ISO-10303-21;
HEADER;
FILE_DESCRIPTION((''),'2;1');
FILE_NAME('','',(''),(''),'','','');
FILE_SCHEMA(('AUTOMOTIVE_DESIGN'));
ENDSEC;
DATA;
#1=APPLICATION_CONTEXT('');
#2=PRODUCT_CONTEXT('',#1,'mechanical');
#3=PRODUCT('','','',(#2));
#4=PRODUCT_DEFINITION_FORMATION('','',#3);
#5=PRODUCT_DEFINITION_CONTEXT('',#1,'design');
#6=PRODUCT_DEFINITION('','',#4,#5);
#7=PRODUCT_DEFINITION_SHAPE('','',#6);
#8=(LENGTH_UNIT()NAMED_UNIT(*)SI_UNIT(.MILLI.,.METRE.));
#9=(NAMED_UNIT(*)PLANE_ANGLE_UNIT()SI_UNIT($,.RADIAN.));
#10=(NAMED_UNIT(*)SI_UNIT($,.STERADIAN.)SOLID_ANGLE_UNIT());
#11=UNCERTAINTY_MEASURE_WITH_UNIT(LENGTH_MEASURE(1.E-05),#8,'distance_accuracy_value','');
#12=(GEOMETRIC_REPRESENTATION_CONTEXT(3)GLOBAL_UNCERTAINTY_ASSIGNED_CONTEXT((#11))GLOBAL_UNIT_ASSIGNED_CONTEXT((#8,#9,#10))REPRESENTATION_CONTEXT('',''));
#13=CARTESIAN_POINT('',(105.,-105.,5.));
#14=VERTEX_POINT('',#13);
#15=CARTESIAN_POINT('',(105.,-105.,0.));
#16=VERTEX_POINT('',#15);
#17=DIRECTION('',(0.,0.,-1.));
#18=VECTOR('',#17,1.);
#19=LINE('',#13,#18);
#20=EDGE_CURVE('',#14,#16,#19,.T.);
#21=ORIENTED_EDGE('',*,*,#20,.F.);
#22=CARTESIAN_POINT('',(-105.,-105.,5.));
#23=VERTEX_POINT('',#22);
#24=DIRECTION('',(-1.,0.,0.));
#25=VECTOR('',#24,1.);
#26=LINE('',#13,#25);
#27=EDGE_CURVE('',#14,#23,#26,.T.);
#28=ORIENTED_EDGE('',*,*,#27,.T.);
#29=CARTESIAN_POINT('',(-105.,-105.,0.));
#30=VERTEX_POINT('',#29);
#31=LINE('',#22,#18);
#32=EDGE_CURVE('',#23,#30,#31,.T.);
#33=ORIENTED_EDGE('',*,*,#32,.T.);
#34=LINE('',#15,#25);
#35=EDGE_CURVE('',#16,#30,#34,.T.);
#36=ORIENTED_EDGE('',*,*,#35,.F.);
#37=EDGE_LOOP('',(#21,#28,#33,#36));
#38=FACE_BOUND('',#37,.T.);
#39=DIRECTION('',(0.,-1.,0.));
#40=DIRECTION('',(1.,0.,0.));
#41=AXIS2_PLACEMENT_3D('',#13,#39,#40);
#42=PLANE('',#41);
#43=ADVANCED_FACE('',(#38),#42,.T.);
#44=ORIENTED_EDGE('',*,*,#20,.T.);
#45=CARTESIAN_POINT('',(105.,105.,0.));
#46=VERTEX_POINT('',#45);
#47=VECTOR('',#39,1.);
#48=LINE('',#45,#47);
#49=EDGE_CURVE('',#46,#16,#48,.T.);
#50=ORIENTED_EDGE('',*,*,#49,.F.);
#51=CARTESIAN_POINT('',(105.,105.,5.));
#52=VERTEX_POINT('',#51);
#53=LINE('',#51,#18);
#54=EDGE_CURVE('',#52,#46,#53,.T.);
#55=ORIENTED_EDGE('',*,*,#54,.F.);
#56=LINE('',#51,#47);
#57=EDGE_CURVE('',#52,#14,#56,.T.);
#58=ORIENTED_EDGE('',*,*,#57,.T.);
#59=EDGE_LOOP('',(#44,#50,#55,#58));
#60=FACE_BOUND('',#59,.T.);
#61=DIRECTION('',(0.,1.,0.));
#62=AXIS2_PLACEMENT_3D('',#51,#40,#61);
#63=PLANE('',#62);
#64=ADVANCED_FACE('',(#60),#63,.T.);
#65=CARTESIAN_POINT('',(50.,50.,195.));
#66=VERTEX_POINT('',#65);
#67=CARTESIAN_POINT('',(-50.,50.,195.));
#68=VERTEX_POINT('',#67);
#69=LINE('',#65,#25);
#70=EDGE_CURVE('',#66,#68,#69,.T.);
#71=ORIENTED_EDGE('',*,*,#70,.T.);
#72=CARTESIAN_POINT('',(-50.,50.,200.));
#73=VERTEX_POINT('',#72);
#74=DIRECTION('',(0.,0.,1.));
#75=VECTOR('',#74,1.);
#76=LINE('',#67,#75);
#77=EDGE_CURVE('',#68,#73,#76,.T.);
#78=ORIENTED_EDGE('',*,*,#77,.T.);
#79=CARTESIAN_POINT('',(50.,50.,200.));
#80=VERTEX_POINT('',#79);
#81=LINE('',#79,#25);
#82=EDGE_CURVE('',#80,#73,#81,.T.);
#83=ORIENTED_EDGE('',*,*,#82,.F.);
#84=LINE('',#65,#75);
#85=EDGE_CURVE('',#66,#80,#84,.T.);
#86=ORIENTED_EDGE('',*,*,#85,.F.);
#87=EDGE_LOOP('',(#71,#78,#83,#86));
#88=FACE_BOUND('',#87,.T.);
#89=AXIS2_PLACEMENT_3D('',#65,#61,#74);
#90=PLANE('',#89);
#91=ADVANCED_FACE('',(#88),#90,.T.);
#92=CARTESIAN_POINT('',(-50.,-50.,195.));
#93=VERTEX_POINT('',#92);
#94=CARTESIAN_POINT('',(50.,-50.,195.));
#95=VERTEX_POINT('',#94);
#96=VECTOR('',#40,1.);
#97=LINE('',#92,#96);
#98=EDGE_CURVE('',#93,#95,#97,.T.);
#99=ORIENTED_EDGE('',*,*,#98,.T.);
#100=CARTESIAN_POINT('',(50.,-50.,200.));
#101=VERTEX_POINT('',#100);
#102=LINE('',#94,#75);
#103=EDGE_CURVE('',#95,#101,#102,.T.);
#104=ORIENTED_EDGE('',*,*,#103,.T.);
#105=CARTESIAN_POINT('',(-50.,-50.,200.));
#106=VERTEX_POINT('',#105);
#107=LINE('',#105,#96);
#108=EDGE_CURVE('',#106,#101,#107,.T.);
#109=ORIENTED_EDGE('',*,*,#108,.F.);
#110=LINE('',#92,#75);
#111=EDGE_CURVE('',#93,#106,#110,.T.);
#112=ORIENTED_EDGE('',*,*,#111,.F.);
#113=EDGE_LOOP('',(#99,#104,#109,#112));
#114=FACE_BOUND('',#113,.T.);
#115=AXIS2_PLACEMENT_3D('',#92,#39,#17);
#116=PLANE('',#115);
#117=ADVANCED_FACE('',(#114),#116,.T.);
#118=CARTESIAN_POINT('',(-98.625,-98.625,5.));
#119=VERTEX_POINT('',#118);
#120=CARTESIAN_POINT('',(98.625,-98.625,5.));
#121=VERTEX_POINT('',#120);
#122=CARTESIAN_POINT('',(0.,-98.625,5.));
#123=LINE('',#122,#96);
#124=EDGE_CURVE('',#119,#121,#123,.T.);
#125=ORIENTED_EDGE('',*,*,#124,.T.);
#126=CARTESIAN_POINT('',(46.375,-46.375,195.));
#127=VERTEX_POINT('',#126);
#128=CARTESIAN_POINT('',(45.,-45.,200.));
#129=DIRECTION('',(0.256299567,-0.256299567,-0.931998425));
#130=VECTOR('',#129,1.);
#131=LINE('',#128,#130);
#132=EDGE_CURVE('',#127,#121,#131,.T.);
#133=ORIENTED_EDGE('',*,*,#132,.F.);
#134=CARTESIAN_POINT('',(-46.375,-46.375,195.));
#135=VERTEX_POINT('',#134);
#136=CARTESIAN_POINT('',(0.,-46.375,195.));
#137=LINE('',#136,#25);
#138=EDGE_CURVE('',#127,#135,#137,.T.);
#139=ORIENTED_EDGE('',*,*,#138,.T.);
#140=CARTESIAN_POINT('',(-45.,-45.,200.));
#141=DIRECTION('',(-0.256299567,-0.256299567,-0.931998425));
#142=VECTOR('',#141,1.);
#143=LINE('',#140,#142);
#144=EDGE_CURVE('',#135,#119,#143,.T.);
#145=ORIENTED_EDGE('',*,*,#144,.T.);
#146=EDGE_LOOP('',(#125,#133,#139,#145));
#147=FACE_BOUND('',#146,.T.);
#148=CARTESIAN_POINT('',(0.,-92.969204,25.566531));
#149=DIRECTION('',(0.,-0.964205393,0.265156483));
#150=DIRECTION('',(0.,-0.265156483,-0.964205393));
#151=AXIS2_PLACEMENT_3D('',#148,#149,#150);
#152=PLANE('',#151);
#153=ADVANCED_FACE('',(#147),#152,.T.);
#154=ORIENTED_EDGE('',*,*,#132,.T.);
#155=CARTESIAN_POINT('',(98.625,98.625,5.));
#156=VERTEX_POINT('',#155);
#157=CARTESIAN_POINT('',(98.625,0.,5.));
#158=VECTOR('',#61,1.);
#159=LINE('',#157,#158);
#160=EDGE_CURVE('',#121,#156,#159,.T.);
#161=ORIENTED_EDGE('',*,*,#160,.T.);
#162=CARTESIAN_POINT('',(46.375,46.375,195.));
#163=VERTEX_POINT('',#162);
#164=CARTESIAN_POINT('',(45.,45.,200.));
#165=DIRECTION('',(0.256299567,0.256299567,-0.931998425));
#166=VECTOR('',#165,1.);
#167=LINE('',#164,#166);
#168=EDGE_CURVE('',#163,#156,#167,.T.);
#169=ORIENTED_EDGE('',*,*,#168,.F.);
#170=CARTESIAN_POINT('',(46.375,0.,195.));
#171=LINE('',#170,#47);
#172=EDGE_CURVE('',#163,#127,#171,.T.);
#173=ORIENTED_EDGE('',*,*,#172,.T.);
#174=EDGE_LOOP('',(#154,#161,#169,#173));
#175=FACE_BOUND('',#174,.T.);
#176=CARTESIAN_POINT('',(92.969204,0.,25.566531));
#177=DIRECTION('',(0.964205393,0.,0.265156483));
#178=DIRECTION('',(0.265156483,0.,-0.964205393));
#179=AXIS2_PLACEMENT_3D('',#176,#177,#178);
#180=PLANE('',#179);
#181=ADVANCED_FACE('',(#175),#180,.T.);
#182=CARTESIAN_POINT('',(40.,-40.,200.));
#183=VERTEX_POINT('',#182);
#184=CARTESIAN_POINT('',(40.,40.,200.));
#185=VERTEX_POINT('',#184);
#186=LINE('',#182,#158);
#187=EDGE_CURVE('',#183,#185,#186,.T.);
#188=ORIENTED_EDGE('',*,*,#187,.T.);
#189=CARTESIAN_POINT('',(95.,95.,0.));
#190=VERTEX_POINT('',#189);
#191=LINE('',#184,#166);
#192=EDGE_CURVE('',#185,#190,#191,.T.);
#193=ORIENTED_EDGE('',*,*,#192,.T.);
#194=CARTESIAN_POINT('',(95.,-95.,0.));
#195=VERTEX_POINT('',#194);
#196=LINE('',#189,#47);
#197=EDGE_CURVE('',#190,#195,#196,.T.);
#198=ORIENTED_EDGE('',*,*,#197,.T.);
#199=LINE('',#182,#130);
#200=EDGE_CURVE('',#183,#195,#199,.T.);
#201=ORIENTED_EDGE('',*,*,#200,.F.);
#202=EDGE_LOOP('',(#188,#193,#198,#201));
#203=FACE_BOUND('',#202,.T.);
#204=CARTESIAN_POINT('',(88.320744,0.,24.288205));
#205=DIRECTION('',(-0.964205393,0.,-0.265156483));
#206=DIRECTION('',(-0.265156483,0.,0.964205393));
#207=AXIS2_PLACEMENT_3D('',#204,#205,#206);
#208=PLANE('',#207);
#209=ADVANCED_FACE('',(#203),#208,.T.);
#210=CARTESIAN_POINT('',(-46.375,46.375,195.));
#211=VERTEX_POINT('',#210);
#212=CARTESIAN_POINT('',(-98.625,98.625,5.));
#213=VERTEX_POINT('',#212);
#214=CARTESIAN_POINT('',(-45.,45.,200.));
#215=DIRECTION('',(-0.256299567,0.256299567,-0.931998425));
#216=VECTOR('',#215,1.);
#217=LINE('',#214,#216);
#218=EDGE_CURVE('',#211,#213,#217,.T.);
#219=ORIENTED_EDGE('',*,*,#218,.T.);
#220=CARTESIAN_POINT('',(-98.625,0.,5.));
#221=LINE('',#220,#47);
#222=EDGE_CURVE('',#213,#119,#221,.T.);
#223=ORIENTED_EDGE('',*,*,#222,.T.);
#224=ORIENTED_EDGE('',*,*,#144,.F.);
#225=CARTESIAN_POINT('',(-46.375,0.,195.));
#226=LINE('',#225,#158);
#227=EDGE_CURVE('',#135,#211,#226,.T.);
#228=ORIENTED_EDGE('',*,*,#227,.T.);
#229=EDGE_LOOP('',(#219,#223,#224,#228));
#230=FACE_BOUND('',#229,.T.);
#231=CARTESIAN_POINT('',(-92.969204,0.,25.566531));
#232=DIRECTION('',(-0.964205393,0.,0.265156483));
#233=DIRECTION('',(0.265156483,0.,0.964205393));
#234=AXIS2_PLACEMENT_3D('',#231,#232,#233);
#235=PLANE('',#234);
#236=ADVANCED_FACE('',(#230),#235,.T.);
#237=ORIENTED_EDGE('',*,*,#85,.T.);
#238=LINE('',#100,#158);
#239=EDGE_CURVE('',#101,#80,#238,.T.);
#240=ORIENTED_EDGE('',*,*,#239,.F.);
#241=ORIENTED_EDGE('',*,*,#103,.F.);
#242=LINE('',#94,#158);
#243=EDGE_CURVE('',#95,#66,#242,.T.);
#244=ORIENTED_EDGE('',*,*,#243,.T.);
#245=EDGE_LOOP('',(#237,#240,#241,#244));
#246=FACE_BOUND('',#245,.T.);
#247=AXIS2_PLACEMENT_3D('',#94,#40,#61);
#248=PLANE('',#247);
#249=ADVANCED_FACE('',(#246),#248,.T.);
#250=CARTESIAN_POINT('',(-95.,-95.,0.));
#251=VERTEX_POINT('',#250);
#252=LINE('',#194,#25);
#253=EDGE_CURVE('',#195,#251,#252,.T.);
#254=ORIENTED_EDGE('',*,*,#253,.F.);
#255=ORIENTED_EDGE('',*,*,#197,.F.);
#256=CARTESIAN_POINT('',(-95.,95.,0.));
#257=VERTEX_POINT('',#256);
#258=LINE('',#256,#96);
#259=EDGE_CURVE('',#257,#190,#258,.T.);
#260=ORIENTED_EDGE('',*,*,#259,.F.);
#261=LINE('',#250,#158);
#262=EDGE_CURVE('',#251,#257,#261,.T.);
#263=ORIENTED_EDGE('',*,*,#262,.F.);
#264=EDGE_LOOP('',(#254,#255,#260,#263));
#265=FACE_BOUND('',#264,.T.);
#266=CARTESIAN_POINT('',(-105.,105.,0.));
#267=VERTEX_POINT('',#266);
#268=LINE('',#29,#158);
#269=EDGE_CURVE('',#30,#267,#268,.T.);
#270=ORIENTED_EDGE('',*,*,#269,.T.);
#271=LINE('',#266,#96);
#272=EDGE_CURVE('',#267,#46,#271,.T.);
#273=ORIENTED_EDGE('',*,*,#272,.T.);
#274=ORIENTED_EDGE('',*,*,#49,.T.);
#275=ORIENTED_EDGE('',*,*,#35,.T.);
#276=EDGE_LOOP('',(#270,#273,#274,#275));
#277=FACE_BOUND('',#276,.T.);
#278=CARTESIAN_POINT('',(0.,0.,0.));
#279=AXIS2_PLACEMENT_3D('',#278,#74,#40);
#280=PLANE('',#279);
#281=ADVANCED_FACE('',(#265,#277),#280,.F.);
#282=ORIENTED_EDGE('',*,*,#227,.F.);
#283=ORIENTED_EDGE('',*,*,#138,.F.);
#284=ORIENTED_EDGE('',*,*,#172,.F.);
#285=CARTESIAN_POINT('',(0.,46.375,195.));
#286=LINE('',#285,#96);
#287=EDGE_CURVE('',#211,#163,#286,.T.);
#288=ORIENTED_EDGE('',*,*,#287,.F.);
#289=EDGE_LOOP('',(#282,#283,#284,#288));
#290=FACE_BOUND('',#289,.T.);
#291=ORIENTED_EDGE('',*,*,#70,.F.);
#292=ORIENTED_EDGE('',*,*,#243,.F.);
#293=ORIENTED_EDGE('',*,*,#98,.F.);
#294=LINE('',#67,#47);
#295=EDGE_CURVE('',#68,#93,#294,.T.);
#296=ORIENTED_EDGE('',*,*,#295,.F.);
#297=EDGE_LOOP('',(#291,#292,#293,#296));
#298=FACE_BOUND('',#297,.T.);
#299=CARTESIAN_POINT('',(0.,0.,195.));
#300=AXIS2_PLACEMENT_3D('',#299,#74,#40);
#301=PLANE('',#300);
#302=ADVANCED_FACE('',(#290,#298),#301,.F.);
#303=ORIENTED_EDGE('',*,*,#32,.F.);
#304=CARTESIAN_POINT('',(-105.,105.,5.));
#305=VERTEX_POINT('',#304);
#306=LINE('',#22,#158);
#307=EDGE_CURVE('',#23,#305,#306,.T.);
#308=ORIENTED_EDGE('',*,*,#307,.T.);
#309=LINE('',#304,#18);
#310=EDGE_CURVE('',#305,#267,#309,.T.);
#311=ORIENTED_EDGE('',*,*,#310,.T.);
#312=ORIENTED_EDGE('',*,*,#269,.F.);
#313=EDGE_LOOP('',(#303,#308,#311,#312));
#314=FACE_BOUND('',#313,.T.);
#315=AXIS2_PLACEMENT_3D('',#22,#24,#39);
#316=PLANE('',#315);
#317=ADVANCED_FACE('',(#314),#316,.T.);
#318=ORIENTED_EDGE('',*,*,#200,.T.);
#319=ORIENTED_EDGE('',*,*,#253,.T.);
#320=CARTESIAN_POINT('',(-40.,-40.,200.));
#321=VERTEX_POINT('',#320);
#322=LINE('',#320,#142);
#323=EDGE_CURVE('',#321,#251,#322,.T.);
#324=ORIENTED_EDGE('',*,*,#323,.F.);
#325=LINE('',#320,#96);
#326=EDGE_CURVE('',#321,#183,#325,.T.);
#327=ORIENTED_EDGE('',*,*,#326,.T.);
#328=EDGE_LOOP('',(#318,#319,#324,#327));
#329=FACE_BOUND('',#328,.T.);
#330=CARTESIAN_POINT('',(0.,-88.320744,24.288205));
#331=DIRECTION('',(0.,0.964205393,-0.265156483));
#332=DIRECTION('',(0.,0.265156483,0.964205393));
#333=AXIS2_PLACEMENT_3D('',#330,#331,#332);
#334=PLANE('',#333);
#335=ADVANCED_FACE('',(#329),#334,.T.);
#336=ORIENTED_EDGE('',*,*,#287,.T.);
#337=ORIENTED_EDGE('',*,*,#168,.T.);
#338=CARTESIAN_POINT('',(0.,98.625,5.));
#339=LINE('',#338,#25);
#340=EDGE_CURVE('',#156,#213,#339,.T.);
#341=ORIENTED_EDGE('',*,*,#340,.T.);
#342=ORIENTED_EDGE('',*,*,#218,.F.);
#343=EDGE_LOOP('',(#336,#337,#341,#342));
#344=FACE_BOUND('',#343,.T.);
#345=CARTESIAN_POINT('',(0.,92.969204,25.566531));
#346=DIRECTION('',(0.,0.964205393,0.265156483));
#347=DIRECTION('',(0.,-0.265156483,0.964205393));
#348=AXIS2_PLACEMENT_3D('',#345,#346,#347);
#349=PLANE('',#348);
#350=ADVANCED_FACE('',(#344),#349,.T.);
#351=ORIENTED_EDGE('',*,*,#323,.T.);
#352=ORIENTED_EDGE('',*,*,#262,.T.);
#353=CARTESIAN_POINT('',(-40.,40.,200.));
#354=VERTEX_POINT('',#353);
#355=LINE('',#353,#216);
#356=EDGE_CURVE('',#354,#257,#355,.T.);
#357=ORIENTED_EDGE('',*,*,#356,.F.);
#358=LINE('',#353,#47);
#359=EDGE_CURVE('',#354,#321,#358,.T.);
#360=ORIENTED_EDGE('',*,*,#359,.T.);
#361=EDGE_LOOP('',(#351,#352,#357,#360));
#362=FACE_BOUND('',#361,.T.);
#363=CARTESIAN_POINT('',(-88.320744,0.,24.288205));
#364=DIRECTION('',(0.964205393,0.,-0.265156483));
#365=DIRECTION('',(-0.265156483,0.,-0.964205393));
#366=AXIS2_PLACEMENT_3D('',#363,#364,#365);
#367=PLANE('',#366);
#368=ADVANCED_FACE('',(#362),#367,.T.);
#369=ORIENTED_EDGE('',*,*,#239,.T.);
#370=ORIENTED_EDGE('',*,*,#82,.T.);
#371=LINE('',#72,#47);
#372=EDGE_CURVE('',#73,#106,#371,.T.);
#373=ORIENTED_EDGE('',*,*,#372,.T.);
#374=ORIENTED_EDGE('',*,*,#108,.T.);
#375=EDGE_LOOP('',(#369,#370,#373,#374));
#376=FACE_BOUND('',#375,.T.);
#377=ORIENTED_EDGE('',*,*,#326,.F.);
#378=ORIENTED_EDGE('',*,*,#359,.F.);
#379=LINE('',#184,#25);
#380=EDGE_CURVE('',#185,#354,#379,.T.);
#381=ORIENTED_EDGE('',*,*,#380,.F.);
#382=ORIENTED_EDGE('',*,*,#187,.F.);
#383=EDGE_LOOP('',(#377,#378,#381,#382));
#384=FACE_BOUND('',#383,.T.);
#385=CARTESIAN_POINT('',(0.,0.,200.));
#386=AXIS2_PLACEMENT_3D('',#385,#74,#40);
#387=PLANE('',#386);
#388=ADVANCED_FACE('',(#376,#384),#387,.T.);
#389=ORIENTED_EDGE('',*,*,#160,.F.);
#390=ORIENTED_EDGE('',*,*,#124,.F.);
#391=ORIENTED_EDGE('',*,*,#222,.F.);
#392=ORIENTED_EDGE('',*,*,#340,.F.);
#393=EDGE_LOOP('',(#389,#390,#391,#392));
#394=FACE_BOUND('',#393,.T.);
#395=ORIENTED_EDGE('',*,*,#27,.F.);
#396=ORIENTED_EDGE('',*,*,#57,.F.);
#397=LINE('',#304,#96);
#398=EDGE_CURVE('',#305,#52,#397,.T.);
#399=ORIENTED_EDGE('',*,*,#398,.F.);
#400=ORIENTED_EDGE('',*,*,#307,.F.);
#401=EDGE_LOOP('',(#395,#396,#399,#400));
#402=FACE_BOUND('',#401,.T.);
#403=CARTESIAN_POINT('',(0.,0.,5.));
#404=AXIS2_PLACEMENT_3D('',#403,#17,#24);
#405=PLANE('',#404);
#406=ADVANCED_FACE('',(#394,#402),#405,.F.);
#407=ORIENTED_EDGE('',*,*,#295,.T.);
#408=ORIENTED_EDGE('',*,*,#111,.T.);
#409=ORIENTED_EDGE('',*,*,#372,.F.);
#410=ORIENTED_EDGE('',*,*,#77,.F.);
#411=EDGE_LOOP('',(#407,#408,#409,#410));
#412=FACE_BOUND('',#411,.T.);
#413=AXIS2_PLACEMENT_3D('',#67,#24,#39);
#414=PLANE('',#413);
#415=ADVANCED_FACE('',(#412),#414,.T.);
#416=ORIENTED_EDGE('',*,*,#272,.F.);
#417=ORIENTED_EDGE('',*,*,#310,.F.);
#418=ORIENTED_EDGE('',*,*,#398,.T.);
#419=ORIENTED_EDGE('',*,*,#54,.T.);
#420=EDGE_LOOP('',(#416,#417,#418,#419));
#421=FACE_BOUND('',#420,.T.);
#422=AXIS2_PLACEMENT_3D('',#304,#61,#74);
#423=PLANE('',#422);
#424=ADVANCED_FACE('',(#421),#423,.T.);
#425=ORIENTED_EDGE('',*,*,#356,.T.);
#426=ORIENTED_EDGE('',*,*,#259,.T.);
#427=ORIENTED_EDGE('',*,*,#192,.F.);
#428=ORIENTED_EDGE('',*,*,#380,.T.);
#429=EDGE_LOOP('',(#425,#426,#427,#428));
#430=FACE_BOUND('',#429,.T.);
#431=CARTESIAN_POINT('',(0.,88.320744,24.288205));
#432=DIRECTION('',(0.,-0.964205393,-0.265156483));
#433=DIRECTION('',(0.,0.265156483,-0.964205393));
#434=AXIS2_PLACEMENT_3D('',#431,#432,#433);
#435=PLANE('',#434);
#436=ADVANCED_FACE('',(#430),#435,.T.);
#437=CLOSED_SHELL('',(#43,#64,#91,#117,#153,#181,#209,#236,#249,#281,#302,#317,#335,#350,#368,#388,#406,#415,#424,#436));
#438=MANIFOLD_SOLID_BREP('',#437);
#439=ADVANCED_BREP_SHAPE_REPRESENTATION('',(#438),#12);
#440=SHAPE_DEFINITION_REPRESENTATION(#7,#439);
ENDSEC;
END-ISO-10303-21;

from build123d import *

# Parameters (mm, degrees)
SKETCH2_W           = 90
SKETCH2_H           = 90
SKETCH1_W           = 200
SKETCH1_H           = 200
SKETCH6_W           = 210
SKETCH6_H           = 210
BOSS_EXTRUDE1_DEPTH = 5
SKETCH5_W           = 100
SKETCH5_H           = 100
BOSS_EXTRUDE2_DEPTH = 5
SKETCH3_W           = 80
SKETCH3_H           = 80
SKETCH4_W           = 190
SKETCH4_H           = 190


with BuildPart() as part:
    # Sketch2 → Loft2 section 0
    with BuildSketch(Plane.XY.offset(200)):
        Rectangle(SKETCH2_W, SKETCH2_H)
    # Sketch1 → Loft2 section 1
    with BuildSketch(Plane.XY):
        Rectangle(SKETCH1_W, SKETCH1_H)
    loft()

    # Sketch6 → Boss-Extrude1 (add)
    with BuildSketch(Plane(origin=(0, 0, 0), x_dir=(-1, 0, 0), z_dir=(0, 0, -1))):
        Rectangle(SKETCH6_W, SKETCH6_H)
    extrude(amount=-BOSS_EXTRUDE1_DEPTH)

    # Sketch5 → Boss-Extrude2 (add)
    with BuildSketch(Plane.XY.offset(200)):
        Rectangle(SKETCH5_W, SKETCH5_H)
    extrude(amount=-BOSS_EXTRUDE2_DEPTH)

    # Sketch3 → Cut-Loft2 section 0
    with BuildSketch(Plane.XY.offset(200)):
        Rectangle(SKETCH3_W, SKETCH3_H)
    # Sketch4 → Cut-Loft2 section 1
    with BuildSketch(Plane(origin=(0, 0, 0), x_dir=(-1, 0, 0), z_dir=(0, 0, -1))):
        Rectangle(SKETCH4_W, SKETCH4_H)
    loft(mode=Mode.SUBTRACT)


solid = part.part
